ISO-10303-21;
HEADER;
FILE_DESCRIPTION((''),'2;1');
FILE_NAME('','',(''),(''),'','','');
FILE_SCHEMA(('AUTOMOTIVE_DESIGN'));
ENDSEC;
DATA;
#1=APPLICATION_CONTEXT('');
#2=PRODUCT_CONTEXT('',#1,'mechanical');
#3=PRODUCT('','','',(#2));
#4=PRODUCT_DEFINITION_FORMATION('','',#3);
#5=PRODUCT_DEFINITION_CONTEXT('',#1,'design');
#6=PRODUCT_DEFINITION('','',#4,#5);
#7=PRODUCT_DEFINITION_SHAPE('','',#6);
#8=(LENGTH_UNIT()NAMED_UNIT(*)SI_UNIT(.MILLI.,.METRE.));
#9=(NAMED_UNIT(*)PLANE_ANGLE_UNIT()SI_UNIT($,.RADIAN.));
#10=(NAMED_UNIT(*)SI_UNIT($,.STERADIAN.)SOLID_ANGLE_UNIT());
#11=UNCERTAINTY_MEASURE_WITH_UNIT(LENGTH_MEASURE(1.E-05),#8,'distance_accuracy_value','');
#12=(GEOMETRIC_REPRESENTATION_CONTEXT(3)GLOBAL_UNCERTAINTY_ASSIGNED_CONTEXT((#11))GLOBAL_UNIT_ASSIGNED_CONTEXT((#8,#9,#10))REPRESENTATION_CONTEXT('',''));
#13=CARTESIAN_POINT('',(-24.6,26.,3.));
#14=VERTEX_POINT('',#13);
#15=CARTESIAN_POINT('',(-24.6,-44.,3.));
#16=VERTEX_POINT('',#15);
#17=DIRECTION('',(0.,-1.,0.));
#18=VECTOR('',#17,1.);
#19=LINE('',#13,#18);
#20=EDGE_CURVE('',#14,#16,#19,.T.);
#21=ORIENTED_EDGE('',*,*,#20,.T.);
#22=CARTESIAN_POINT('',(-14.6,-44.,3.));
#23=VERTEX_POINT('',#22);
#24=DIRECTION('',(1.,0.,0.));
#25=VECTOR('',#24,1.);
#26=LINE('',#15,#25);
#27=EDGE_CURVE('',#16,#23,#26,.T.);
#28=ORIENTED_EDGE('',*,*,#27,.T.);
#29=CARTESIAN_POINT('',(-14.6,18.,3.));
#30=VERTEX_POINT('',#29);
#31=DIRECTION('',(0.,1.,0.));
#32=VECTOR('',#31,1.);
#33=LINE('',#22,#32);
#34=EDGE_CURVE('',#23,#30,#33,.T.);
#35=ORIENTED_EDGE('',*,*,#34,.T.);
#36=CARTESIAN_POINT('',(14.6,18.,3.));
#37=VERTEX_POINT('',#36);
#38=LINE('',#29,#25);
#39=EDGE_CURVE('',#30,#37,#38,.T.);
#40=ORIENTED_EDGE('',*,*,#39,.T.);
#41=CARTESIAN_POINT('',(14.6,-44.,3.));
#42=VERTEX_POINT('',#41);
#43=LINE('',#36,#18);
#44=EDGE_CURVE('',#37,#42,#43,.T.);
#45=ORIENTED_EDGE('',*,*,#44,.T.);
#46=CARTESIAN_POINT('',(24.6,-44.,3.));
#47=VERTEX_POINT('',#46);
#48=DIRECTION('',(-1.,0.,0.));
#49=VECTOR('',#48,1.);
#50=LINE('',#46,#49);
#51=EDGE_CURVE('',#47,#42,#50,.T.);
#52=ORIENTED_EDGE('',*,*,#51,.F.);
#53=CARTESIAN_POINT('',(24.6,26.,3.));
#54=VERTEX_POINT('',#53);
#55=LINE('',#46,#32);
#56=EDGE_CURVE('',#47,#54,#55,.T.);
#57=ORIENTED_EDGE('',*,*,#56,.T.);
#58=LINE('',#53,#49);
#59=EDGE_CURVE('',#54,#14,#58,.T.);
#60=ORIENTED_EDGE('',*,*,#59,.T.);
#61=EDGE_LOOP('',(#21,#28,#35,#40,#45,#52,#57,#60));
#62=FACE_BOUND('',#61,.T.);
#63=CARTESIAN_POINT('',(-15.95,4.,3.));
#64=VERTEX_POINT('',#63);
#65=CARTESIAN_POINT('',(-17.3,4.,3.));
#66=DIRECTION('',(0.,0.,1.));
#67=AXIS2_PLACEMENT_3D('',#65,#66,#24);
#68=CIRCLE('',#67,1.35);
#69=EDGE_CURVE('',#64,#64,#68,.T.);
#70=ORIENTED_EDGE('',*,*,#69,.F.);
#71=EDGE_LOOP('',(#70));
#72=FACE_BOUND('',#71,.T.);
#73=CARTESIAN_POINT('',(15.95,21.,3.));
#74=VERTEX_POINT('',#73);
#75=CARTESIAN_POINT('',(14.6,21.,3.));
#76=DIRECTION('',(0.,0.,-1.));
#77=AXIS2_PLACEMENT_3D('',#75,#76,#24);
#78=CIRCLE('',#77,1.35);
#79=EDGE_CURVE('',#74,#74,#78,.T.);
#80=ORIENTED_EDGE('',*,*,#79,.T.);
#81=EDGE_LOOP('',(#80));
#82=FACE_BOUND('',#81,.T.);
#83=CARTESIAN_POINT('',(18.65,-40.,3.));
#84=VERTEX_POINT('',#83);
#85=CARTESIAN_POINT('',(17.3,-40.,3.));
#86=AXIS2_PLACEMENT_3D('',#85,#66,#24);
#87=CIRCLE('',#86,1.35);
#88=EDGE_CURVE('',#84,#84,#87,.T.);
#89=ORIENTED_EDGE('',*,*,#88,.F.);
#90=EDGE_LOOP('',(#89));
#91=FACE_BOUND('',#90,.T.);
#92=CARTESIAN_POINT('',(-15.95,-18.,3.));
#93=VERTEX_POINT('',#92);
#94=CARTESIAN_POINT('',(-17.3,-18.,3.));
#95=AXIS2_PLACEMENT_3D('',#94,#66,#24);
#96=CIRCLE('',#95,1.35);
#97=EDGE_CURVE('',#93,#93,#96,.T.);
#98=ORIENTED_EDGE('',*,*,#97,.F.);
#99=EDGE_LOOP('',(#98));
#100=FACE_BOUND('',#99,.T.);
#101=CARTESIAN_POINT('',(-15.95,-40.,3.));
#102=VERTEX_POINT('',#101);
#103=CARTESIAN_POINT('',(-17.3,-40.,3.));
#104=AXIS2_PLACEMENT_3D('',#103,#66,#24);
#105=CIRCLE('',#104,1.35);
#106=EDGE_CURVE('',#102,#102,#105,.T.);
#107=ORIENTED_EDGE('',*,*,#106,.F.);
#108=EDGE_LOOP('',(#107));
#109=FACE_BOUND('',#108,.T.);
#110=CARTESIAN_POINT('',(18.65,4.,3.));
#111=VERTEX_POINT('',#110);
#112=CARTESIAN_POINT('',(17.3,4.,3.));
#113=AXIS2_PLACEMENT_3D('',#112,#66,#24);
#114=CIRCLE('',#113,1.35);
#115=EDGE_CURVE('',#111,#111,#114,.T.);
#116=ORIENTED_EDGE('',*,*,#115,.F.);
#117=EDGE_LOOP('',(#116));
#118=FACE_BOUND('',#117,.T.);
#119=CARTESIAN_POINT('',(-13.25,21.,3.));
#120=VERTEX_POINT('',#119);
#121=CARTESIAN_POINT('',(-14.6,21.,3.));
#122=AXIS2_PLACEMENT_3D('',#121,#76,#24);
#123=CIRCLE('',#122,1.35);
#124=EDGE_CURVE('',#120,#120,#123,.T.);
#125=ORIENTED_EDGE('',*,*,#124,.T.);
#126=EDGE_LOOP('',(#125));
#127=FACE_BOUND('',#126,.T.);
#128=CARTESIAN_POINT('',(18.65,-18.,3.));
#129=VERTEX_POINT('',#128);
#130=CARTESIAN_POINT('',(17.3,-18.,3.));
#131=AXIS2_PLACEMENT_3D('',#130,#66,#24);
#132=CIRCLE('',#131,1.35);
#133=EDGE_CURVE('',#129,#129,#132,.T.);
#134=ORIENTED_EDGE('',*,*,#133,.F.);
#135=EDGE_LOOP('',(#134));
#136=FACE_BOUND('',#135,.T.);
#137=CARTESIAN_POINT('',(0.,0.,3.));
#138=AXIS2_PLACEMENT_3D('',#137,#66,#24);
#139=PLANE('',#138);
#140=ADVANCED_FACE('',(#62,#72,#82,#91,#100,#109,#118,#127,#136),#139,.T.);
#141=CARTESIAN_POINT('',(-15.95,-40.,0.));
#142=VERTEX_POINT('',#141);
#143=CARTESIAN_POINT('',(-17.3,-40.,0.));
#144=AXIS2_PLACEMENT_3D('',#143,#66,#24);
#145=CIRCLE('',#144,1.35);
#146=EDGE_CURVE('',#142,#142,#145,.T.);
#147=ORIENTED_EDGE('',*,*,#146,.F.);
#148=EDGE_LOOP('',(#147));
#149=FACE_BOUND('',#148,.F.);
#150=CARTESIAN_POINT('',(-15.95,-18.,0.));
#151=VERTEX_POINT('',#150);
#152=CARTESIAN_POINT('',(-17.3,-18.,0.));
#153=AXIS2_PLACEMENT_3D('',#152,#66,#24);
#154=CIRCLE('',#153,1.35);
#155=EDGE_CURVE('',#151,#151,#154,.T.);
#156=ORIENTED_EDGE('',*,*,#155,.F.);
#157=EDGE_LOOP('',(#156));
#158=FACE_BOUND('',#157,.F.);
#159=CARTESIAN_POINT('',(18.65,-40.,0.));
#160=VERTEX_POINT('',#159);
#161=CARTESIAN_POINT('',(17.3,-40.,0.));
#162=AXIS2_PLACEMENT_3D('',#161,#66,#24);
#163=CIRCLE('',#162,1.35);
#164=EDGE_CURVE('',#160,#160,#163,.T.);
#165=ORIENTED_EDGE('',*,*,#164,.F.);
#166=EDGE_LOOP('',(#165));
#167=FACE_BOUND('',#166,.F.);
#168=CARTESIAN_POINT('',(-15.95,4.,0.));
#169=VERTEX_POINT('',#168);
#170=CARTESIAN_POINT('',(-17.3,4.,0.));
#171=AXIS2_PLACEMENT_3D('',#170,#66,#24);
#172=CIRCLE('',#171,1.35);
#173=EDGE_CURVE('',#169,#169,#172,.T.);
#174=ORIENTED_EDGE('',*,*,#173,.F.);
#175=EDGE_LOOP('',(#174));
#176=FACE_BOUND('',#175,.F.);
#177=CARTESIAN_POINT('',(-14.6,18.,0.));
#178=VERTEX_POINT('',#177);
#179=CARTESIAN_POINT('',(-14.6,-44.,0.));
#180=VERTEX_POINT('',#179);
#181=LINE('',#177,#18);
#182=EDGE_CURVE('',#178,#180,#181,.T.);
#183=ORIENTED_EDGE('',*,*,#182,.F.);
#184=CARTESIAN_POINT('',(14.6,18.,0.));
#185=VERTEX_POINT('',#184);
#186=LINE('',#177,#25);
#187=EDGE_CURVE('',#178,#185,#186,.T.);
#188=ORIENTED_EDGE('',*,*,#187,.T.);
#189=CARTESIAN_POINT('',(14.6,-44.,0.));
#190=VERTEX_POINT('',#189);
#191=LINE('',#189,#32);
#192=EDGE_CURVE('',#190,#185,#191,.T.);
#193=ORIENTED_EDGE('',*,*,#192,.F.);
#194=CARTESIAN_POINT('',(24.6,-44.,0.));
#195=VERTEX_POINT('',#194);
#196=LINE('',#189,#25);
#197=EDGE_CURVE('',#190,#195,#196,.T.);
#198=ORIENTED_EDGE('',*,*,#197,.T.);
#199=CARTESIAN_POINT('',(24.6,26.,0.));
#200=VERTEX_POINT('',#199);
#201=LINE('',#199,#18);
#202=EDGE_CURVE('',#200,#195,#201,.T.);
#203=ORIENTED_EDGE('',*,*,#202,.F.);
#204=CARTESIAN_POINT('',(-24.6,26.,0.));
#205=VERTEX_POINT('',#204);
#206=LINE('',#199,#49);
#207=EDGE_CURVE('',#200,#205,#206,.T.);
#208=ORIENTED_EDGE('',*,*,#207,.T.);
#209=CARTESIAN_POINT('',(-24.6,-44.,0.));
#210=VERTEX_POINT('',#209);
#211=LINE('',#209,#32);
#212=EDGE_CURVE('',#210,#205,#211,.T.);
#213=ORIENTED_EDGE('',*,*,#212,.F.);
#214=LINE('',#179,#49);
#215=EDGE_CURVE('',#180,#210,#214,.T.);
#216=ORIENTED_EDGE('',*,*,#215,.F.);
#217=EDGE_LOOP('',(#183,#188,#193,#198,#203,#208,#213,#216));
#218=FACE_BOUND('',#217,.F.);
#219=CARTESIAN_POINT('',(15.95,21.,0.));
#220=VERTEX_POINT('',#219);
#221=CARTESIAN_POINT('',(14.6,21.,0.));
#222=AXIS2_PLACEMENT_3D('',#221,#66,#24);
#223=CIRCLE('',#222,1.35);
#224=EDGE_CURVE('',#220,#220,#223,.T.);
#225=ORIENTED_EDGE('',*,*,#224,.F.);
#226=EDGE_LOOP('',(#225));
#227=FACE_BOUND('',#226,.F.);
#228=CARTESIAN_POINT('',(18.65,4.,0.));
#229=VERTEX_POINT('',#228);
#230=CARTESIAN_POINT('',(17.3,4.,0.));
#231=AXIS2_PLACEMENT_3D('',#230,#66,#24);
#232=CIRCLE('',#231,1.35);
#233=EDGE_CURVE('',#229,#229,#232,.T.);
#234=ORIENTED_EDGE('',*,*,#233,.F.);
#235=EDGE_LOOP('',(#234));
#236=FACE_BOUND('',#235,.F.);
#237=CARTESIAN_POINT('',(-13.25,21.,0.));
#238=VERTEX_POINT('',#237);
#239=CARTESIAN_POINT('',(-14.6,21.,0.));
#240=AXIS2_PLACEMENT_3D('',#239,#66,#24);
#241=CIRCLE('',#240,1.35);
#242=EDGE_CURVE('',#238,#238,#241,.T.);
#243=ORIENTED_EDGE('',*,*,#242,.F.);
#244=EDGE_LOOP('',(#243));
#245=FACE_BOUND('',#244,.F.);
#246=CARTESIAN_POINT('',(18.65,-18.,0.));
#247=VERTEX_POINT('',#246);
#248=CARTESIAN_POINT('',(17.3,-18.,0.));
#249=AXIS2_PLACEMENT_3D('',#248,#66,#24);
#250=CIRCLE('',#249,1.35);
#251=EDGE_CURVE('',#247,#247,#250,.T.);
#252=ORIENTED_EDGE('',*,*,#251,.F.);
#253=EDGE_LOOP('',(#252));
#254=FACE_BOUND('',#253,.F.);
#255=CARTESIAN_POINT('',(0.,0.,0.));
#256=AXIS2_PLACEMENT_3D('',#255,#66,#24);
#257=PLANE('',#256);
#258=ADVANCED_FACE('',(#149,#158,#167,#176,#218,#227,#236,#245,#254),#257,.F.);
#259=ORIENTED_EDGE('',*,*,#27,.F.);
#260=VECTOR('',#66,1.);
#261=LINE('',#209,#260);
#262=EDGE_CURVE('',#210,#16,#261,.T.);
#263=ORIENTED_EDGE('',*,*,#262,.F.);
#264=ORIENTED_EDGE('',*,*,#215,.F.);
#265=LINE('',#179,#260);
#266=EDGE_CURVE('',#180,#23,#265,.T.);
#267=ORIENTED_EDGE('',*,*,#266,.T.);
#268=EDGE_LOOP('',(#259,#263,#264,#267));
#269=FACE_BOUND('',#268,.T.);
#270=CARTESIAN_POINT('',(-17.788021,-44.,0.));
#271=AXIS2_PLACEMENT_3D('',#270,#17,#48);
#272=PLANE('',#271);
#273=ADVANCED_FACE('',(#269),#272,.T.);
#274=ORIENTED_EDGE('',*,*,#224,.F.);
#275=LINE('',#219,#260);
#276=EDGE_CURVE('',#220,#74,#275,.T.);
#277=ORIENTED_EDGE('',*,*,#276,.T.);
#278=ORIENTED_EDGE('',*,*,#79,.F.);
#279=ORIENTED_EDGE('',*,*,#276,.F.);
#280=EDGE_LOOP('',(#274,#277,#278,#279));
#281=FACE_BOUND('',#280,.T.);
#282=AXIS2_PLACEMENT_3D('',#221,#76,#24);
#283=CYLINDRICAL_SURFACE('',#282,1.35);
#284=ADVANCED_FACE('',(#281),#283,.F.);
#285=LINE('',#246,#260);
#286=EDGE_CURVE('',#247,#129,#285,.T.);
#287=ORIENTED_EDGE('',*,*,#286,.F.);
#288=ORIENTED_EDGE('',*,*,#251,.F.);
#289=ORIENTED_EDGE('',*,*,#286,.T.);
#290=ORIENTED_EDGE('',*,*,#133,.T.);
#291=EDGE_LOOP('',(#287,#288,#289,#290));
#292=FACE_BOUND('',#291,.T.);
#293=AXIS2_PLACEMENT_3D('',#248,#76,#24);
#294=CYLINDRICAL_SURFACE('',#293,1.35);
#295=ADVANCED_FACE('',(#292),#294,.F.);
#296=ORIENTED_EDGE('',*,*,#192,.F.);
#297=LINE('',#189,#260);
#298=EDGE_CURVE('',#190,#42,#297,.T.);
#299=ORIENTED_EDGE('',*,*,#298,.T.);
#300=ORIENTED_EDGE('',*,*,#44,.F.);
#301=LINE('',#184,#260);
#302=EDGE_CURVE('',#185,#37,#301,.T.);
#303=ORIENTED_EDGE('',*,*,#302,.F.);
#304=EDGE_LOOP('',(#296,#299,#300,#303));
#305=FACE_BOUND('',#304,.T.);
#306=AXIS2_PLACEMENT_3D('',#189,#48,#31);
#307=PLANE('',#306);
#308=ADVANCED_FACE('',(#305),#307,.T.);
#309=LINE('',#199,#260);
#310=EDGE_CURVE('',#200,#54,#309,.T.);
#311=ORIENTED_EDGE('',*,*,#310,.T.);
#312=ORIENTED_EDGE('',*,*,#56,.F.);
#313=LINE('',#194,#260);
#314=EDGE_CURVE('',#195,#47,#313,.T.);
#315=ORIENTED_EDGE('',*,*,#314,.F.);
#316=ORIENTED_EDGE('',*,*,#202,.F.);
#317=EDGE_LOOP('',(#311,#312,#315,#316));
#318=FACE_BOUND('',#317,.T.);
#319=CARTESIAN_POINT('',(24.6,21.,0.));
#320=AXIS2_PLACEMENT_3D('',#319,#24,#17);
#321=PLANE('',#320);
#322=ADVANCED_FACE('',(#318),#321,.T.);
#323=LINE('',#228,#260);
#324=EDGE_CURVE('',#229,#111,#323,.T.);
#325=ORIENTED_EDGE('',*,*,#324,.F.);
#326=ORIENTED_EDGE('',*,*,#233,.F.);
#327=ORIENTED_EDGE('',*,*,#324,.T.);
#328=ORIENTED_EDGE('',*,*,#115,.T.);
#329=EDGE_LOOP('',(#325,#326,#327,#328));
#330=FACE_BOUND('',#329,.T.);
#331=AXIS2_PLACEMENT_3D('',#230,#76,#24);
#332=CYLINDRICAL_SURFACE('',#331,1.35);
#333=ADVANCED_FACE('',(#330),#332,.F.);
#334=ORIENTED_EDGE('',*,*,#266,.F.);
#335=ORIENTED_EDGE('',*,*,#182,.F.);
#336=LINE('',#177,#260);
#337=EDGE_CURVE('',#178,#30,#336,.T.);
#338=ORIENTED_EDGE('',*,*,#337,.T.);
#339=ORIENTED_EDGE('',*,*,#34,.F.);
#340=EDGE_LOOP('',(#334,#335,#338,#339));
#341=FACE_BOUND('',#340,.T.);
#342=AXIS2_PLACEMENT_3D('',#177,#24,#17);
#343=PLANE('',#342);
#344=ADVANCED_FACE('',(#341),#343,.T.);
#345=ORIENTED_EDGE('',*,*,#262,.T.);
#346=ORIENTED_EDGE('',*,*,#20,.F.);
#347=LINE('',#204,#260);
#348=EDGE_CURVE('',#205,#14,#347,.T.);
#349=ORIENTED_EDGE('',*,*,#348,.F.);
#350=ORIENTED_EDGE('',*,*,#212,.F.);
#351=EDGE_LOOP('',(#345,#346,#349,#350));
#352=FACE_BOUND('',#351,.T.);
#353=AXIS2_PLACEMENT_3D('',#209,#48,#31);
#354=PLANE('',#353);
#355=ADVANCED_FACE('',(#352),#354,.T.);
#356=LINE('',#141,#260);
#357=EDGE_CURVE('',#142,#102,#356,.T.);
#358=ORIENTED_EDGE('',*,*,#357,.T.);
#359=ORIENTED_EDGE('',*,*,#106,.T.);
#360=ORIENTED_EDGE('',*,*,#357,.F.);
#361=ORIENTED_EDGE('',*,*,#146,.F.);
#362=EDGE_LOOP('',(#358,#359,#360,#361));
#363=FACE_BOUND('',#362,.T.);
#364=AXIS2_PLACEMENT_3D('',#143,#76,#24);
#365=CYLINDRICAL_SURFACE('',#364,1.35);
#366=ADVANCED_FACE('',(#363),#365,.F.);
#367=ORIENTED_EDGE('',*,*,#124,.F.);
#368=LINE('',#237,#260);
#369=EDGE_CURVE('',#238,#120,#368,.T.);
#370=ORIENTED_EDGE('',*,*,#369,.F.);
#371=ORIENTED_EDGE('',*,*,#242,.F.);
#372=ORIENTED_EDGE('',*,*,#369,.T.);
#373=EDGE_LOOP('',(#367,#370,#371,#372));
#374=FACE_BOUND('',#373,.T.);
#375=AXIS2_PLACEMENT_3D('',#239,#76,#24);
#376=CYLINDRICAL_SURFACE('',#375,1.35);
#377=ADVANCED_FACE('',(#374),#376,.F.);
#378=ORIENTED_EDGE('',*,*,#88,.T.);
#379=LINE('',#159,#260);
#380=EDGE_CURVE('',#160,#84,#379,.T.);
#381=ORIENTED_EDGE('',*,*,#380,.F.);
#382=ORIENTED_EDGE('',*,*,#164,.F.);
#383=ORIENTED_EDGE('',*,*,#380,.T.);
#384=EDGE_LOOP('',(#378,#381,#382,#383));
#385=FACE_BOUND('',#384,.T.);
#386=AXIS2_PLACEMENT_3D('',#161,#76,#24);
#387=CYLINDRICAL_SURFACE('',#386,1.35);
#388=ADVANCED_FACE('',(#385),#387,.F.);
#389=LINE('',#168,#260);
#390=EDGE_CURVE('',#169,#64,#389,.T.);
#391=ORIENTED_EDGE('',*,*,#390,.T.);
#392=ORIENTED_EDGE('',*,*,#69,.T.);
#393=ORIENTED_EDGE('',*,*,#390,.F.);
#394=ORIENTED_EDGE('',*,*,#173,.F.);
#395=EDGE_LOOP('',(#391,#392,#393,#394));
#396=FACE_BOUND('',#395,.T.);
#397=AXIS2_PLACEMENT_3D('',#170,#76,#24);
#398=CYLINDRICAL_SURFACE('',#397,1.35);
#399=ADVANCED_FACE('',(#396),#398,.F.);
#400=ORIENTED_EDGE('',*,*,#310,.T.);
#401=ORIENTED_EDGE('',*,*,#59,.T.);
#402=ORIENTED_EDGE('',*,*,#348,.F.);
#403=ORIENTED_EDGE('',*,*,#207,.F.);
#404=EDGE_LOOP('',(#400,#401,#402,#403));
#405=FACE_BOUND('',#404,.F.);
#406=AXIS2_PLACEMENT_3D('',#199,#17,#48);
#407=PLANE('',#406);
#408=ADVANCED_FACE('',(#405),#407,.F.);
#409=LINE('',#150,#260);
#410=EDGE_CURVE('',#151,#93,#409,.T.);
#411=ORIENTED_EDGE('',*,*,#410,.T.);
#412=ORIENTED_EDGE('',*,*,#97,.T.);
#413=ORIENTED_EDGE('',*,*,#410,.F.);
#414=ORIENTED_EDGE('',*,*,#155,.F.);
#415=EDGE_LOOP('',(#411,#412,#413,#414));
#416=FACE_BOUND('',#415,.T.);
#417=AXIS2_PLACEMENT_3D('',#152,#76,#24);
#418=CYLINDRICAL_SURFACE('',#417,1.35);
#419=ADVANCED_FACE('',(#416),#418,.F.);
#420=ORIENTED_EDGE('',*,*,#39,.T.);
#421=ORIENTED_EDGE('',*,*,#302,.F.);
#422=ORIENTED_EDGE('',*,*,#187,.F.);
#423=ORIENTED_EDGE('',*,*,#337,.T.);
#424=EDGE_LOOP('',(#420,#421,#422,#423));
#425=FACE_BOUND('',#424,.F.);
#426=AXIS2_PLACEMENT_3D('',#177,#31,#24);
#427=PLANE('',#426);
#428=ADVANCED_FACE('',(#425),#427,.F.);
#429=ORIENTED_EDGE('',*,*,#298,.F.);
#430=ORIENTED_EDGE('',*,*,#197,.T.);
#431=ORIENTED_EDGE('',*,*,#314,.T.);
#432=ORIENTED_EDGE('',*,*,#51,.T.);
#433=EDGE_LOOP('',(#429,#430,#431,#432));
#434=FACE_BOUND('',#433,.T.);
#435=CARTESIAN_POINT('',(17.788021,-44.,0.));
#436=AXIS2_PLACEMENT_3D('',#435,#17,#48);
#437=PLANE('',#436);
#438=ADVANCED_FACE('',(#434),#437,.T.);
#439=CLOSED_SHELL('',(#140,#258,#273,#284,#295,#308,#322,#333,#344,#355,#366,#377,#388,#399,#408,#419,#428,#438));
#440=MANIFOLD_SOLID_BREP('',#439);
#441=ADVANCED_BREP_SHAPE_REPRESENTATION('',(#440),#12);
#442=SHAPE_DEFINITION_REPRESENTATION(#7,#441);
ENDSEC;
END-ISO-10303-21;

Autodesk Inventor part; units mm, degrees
ref_plane "YZ Plane" through (0, 0, 0) normal (1, 0, 0) x (0, 1, 0)
ref_plane "XZ Plane" through (0, 0, 0) normal (0, 1, 0) x (-1, 0, 0)
ref_plane "XY Plane" through (0, 0, 0) normal (0, 0, 1) x (1, 0, 0)
ref_plane "작업 평면1" through (0, 0, 0) normal (0, 0, 1) x (1, 0, 0)
sketch "스케치1" plane through (0, 0, 0) normal (0, 0, 1) x (1, 0, 0)
  arc A0 (20.1, 4.5766) -> (19.5808, 6.2636) centre (17.1, 4.5766) ccw projected
  line L0 (19.5808, 6.2636) -> (15.5953, 12.1246) projected
  arc A1 (15.5953, 12.1246) -> (13.9414, 13) centre (13.9414, 11) ccw projected
  line L1 (13, 13) -> (13.9414, 13) projected
  arc A2 (14.5, 11.5) -> (13, 13) centre (13, 11.5) ccw projected
  line L2 (14.5, -41.5) -> (14.5, 11.5) projected
  arc A3 (13.5, -42.5) -> (14.5, -41.5) centre (13.5, -41.5) ccw projected
  line L3 (-13.5, -42.5) -> (13.5, -42.5) projected
  arc A4 (-14.5, -41.5) -> (-13.5, -42.5) centre (-13.5, -41.5) ccw projected
  line L4 (-14.5, 11.5) -> (-14.5, -41.5) projected
  arc A5 (-13, 13) -> (-14.5, 11.5) centre (-13, 11.5) ccw projected
  line L5 (-13.9414, 13) -> (-13, 13) projected
  arc A6 (-13.9414, 13) -> (-15.5953, 12.1246) centre (-13.9414, 11) ccw projected
  line L6 (-15.5953, 12.1246) -> (-19.5808, 6.2636) projected
  arc A7 (-19.5808, 6.2636) -> (-20.1, 4.5766) centre (-17.1, 4.5766) ccw projected
  line L7 (-20.1, 4.5766) -> (-20.1, -39.6766) projected
  arc A8 (-20.1, -39.6766) -> (-19.5808, -41.3636) centre (-17.1, -39.6766) ccw projected
  line L8 (-19.5808, -41.3636) -> (-15.8929, -46.7869) projected
  arc A9 (-15.8929, -46.7869) -> (-13.4121, -48.1) centre (-13.4121, -45.1) ccw projected
  line L9 (-13.4121, -48.1) -> (13.4121, -48.1) projected
  arc A10 (13.4121, -48.1) -> (15.8929, -46.7869) centre (13.4121, -45.1) ccw projected
  line L10 (15.8929, -46.7869) -> (19.5808, -41.3636) projected
  arc A11 (19.5808, -41.3636) -> (20.1, -39.6766) centre (17.1, -39.6766) ccw projected
  line L11 (20.1, -39.6766) -> (20.1, 4.5766) projected
  circle A12 centre (-17.3, 4) radius 1.35 projected
  circle A13 centre (-17.3, -18) radius 1.35 projected
  circle A14 centre (-11, -45.3) radius 1.35 projected
  circle A15 centre (17.3, 4) radius 1.35 projected
  circle A16 centre (17.3, -18) radius 1.35 projected
  circle A17 centre (11, -45.3) radius 1.35 projected
  circle A18 centre (-17.3, -40) radius 1.35 projected
  circle A19 centre (17.3, -40) radius 1.35 projected
  arc A20 (-14.6, -41.5) -> (-13.5, -42.6) centre (-13.5, -41.5) ccw
  line L12 (-13.5, -42.6) -> (13.5, -42.6)
  arc A21 (13.5, -42.6) -> (14.6, -41.5) centre (13.5, -41.5) ccw
  arc A22 (13.7746, 12.9) -> (12.2254, 12.9) centre (13, 11.5) ccw
  line L13 (12.2254, 12.9) -> (13.9414, 12.9)
  arc A23 (14.6, 12.7822) -> (13.9414, 12.9) centre (13.9414, 11) ccw
  line L14 (17.6671, -44) -> (15.8102, -46.7307)
  arc A24 (13.4121, -48) -> (15.8102, -46.7307) centre (13.4121, -45.1) ccw
  line L15 (13.4121, -48) -> (-13.4121, -48)
  arc A25 (-15.8102, -46.7307) -> (-13.4121, -48) centre (-13.4121, -45.1) ccw
  line L16 (-15.8102, -46.7307) -> (-17.6671, -44)
  arc A26 (-13.9414, 12.9) -> (-14.6, 12.7822) centre (-13.9414, 11) ccw
  line L17 (-13.9414, 12.9) -> (-12.2254, 12.9)
  arc A27 (-12.2254, 12.9) -> (-14.6, 11.5) centre (-13, 11.5) ccw
  line L18 (-14.6, 11.5) -> (-14.6, -41.5)
  line L19 (13, 13) -> (-13, 13)
  line L20 (-14.6, -44) -> (-24.6, -44)
  line L21 (-24.6, -44) -> (-24.6, 18)
  line L22 (-14.6, 18) -> (-14.6, -44)
  line L23 (-14.6, 18) -> (14.6, 18)
  line L24 (14.6, 19.65) -> (14.6, 21)
  line L25 (-24.6, 21) -> (-24.6, 18)
  line L26 (14.6, 21) -> (15.95, 21)
  line L27 (24.6, 21) -> (24.6, -44)
  line L28 (24.6, -44) -> (14.6, -44)
  line L29 (24.6, 21) -> (24.6, 26)
  line L30 (24.6, 26) -> (-24.6, 26)
  line L31 (-24.6, 26) -> (-24.6, 21)
  circle A28 centre (-14.6, 21) radius 1.35
  circle A29 centre (14.6, 21) radius 1.35
  line L32 (-20.1, 21) -> (-20, 21)
  line L33 (13.25, 21) -> (15.95, 21)
  line L34 (14.6, 21) -> (13.25, 21)
  line L35 (-13.25, 21) -> (-15.95, 21)
  line L36 (14.6, 19.65) -> (14.6, 21)
  circle A30 centre (-17.3, 4) radius 1.35
  circle A31 centre (-17.3, -18) radius 1.35
  circle A32 centre (-17.3, -40) radius 1.35
  circle A33 centre (17.3, -40) radius 1.35
  circle A34 centre (17.3, -18) radius 1.35
  circle A35 centre (17.3, 4) radius 1.35
  line L37 (14.6, -44) -> (14.6, -41.5)
  line L38 (14.6, 12.7822) -> (14.6, 18)
  line L39 (14.6, -41.5) -> (14.6, 12.7822)
  point P0 (0, 0)
  point P1 (-14.6, 11.5)
  point P2 (17.788, -44)
  point P3 (-17.788, -44)
  point P4 (-14.6, 12.8885)
  dimension "d0" = 0.1
  dimension "d3" = 10
  dimension "d4" = 62
  dimension "d5" = 3
  dimension "d6" = 10
  dimension "d7" = 5
  dimension "d8" = 2.7
  dimension "d9" = 2.7
  dimension "d10" = 2.7
  dimension "d11" = 2.7
  dimension "d12" = 2.7
  dimension "d13" = 2.7
  dimension "d14" = 2.7
  dimension "d15" = 2.7
extrude "돌출2" add sketch "스케치1" along normal blind 3 contours L11 A11 L10 L28 L37 L39 L38 A1 L0 A0 | A0 L0 A1 L38 L23 L22 A6 L6 A7 L7 A8 L8 L20 L21 L25 L31 L30 L29 L27 L28 L10 A11 L11 | L22 L18 L20 L8 A8 L7 A7 L6 A6
properties part number "battery_left" material "PMMA 플라스틱"
